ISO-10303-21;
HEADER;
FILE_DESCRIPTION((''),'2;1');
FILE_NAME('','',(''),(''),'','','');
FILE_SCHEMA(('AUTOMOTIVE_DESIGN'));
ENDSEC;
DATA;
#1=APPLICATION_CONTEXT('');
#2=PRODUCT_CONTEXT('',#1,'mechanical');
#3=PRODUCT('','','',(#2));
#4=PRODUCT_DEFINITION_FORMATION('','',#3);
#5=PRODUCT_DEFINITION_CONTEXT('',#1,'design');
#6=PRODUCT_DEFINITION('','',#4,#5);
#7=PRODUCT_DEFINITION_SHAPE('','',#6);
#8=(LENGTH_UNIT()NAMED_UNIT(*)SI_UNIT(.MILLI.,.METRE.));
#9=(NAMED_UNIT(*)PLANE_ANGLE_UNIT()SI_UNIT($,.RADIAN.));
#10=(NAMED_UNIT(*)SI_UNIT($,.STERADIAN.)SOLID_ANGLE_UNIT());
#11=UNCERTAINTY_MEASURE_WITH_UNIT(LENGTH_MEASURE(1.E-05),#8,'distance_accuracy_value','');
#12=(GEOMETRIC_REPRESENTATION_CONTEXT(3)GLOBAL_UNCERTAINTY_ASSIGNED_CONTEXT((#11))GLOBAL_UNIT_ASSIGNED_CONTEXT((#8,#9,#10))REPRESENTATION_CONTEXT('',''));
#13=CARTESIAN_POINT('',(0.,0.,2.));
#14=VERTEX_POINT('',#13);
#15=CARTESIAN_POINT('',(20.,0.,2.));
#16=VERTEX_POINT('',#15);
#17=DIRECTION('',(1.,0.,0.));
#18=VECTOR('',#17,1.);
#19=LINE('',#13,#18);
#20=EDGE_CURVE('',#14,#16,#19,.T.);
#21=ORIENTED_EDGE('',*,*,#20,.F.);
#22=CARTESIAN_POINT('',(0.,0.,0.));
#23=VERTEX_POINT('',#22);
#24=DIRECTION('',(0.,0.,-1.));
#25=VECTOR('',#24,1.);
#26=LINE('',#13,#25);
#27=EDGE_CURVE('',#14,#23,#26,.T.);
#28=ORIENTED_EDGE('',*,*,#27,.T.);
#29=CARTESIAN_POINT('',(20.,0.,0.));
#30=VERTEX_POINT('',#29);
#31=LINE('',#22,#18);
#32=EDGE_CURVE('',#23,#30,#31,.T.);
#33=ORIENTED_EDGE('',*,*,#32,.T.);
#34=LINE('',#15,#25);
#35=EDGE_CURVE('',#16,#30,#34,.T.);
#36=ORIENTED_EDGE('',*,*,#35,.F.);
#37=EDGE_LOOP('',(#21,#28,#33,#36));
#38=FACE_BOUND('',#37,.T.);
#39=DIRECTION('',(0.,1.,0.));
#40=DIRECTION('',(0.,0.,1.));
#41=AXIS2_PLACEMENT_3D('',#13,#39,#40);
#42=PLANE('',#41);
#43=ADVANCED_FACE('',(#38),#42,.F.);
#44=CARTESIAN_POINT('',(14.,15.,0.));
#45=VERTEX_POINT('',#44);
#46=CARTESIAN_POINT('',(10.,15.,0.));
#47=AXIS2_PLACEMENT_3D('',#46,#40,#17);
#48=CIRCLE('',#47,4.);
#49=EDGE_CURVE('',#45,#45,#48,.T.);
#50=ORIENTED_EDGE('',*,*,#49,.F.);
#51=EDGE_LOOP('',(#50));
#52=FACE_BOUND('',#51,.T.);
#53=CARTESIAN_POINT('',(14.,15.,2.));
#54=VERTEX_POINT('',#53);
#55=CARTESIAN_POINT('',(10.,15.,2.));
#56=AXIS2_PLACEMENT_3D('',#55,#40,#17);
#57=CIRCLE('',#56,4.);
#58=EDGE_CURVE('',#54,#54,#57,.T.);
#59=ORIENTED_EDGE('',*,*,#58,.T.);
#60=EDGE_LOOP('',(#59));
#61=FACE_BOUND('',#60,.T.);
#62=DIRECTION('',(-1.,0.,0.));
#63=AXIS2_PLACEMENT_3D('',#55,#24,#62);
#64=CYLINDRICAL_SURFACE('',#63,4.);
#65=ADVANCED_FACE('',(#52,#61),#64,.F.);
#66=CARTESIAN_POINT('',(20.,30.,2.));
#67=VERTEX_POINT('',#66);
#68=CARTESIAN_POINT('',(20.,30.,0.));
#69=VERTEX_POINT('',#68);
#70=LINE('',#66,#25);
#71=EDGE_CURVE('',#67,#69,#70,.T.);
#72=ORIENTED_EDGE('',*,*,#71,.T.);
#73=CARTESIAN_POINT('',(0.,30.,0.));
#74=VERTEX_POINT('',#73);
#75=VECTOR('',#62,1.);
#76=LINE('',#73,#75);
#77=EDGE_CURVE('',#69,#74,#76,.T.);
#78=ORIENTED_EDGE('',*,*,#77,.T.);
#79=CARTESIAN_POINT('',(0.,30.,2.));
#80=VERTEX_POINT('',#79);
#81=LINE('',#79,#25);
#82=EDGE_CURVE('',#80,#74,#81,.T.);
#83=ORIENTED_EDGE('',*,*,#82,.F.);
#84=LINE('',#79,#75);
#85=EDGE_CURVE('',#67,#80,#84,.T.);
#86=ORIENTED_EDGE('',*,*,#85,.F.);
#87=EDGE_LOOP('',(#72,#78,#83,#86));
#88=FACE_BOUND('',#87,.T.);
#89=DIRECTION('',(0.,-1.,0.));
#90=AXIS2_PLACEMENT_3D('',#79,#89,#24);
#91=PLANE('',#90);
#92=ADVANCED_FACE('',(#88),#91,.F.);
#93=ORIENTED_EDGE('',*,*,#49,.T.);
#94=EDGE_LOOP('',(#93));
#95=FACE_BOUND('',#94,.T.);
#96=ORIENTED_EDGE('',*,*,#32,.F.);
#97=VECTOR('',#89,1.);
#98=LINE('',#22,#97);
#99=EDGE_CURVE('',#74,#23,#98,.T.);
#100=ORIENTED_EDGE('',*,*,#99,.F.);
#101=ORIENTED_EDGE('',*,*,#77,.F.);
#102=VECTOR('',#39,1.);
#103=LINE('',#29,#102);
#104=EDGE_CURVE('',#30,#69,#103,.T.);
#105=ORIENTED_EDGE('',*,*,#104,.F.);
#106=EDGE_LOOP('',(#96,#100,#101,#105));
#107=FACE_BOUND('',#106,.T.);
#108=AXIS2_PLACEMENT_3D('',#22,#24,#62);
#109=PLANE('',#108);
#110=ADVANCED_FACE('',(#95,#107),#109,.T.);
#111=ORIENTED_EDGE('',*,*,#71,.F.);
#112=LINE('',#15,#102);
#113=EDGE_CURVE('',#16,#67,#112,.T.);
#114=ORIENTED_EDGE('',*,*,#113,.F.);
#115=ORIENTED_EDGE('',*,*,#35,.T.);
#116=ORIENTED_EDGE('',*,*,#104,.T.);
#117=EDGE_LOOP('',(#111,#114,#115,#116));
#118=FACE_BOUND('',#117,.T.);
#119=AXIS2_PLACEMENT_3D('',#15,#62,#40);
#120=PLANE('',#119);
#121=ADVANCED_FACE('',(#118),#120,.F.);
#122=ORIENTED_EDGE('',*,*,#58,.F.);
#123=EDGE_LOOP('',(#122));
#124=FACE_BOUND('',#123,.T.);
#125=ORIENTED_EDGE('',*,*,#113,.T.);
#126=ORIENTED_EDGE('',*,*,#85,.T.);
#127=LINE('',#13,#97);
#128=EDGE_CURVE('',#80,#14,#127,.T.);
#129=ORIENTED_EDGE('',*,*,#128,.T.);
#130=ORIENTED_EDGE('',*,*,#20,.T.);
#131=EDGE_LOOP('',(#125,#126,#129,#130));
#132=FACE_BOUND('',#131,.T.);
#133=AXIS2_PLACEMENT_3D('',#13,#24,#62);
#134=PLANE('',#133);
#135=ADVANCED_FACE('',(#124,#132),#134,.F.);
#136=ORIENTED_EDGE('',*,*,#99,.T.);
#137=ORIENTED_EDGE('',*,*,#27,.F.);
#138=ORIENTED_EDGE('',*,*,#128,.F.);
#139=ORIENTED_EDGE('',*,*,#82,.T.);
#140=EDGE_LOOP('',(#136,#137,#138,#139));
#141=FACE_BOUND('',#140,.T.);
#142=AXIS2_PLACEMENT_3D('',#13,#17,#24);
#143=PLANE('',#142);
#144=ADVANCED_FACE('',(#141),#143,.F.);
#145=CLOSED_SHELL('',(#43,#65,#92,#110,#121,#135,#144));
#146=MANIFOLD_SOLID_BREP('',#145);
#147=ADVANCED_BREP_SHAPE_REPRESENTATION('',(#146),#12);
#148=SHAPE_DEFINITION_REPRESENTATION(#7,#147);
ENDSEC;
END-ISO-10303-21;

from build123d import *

# Parameters (mm, degrees)
SZKIC1_W                    = 20
SZKIC1_H                    = 30
SZKIC1_R                    = 4
DODANIE_WYCI_GNI_CIE1_DEPTH = 2


with BuildPart() as part:
    # Szkic1 → Dodanie-wyciągnięcie1 (new body)
    with BuildSketch(Plane.XY):
        with Locations((10, 15)):
            Rectangle(SZKIC1_W, SZKIC1_H)
        with Locations((10, 15)):
            Circle(SZKIC1_R, mode=Mode.SUBTRACT)
    extrude(amount=DODANIE_WYCI_GNI_CIE1_DEPTH)


solid = part.part
